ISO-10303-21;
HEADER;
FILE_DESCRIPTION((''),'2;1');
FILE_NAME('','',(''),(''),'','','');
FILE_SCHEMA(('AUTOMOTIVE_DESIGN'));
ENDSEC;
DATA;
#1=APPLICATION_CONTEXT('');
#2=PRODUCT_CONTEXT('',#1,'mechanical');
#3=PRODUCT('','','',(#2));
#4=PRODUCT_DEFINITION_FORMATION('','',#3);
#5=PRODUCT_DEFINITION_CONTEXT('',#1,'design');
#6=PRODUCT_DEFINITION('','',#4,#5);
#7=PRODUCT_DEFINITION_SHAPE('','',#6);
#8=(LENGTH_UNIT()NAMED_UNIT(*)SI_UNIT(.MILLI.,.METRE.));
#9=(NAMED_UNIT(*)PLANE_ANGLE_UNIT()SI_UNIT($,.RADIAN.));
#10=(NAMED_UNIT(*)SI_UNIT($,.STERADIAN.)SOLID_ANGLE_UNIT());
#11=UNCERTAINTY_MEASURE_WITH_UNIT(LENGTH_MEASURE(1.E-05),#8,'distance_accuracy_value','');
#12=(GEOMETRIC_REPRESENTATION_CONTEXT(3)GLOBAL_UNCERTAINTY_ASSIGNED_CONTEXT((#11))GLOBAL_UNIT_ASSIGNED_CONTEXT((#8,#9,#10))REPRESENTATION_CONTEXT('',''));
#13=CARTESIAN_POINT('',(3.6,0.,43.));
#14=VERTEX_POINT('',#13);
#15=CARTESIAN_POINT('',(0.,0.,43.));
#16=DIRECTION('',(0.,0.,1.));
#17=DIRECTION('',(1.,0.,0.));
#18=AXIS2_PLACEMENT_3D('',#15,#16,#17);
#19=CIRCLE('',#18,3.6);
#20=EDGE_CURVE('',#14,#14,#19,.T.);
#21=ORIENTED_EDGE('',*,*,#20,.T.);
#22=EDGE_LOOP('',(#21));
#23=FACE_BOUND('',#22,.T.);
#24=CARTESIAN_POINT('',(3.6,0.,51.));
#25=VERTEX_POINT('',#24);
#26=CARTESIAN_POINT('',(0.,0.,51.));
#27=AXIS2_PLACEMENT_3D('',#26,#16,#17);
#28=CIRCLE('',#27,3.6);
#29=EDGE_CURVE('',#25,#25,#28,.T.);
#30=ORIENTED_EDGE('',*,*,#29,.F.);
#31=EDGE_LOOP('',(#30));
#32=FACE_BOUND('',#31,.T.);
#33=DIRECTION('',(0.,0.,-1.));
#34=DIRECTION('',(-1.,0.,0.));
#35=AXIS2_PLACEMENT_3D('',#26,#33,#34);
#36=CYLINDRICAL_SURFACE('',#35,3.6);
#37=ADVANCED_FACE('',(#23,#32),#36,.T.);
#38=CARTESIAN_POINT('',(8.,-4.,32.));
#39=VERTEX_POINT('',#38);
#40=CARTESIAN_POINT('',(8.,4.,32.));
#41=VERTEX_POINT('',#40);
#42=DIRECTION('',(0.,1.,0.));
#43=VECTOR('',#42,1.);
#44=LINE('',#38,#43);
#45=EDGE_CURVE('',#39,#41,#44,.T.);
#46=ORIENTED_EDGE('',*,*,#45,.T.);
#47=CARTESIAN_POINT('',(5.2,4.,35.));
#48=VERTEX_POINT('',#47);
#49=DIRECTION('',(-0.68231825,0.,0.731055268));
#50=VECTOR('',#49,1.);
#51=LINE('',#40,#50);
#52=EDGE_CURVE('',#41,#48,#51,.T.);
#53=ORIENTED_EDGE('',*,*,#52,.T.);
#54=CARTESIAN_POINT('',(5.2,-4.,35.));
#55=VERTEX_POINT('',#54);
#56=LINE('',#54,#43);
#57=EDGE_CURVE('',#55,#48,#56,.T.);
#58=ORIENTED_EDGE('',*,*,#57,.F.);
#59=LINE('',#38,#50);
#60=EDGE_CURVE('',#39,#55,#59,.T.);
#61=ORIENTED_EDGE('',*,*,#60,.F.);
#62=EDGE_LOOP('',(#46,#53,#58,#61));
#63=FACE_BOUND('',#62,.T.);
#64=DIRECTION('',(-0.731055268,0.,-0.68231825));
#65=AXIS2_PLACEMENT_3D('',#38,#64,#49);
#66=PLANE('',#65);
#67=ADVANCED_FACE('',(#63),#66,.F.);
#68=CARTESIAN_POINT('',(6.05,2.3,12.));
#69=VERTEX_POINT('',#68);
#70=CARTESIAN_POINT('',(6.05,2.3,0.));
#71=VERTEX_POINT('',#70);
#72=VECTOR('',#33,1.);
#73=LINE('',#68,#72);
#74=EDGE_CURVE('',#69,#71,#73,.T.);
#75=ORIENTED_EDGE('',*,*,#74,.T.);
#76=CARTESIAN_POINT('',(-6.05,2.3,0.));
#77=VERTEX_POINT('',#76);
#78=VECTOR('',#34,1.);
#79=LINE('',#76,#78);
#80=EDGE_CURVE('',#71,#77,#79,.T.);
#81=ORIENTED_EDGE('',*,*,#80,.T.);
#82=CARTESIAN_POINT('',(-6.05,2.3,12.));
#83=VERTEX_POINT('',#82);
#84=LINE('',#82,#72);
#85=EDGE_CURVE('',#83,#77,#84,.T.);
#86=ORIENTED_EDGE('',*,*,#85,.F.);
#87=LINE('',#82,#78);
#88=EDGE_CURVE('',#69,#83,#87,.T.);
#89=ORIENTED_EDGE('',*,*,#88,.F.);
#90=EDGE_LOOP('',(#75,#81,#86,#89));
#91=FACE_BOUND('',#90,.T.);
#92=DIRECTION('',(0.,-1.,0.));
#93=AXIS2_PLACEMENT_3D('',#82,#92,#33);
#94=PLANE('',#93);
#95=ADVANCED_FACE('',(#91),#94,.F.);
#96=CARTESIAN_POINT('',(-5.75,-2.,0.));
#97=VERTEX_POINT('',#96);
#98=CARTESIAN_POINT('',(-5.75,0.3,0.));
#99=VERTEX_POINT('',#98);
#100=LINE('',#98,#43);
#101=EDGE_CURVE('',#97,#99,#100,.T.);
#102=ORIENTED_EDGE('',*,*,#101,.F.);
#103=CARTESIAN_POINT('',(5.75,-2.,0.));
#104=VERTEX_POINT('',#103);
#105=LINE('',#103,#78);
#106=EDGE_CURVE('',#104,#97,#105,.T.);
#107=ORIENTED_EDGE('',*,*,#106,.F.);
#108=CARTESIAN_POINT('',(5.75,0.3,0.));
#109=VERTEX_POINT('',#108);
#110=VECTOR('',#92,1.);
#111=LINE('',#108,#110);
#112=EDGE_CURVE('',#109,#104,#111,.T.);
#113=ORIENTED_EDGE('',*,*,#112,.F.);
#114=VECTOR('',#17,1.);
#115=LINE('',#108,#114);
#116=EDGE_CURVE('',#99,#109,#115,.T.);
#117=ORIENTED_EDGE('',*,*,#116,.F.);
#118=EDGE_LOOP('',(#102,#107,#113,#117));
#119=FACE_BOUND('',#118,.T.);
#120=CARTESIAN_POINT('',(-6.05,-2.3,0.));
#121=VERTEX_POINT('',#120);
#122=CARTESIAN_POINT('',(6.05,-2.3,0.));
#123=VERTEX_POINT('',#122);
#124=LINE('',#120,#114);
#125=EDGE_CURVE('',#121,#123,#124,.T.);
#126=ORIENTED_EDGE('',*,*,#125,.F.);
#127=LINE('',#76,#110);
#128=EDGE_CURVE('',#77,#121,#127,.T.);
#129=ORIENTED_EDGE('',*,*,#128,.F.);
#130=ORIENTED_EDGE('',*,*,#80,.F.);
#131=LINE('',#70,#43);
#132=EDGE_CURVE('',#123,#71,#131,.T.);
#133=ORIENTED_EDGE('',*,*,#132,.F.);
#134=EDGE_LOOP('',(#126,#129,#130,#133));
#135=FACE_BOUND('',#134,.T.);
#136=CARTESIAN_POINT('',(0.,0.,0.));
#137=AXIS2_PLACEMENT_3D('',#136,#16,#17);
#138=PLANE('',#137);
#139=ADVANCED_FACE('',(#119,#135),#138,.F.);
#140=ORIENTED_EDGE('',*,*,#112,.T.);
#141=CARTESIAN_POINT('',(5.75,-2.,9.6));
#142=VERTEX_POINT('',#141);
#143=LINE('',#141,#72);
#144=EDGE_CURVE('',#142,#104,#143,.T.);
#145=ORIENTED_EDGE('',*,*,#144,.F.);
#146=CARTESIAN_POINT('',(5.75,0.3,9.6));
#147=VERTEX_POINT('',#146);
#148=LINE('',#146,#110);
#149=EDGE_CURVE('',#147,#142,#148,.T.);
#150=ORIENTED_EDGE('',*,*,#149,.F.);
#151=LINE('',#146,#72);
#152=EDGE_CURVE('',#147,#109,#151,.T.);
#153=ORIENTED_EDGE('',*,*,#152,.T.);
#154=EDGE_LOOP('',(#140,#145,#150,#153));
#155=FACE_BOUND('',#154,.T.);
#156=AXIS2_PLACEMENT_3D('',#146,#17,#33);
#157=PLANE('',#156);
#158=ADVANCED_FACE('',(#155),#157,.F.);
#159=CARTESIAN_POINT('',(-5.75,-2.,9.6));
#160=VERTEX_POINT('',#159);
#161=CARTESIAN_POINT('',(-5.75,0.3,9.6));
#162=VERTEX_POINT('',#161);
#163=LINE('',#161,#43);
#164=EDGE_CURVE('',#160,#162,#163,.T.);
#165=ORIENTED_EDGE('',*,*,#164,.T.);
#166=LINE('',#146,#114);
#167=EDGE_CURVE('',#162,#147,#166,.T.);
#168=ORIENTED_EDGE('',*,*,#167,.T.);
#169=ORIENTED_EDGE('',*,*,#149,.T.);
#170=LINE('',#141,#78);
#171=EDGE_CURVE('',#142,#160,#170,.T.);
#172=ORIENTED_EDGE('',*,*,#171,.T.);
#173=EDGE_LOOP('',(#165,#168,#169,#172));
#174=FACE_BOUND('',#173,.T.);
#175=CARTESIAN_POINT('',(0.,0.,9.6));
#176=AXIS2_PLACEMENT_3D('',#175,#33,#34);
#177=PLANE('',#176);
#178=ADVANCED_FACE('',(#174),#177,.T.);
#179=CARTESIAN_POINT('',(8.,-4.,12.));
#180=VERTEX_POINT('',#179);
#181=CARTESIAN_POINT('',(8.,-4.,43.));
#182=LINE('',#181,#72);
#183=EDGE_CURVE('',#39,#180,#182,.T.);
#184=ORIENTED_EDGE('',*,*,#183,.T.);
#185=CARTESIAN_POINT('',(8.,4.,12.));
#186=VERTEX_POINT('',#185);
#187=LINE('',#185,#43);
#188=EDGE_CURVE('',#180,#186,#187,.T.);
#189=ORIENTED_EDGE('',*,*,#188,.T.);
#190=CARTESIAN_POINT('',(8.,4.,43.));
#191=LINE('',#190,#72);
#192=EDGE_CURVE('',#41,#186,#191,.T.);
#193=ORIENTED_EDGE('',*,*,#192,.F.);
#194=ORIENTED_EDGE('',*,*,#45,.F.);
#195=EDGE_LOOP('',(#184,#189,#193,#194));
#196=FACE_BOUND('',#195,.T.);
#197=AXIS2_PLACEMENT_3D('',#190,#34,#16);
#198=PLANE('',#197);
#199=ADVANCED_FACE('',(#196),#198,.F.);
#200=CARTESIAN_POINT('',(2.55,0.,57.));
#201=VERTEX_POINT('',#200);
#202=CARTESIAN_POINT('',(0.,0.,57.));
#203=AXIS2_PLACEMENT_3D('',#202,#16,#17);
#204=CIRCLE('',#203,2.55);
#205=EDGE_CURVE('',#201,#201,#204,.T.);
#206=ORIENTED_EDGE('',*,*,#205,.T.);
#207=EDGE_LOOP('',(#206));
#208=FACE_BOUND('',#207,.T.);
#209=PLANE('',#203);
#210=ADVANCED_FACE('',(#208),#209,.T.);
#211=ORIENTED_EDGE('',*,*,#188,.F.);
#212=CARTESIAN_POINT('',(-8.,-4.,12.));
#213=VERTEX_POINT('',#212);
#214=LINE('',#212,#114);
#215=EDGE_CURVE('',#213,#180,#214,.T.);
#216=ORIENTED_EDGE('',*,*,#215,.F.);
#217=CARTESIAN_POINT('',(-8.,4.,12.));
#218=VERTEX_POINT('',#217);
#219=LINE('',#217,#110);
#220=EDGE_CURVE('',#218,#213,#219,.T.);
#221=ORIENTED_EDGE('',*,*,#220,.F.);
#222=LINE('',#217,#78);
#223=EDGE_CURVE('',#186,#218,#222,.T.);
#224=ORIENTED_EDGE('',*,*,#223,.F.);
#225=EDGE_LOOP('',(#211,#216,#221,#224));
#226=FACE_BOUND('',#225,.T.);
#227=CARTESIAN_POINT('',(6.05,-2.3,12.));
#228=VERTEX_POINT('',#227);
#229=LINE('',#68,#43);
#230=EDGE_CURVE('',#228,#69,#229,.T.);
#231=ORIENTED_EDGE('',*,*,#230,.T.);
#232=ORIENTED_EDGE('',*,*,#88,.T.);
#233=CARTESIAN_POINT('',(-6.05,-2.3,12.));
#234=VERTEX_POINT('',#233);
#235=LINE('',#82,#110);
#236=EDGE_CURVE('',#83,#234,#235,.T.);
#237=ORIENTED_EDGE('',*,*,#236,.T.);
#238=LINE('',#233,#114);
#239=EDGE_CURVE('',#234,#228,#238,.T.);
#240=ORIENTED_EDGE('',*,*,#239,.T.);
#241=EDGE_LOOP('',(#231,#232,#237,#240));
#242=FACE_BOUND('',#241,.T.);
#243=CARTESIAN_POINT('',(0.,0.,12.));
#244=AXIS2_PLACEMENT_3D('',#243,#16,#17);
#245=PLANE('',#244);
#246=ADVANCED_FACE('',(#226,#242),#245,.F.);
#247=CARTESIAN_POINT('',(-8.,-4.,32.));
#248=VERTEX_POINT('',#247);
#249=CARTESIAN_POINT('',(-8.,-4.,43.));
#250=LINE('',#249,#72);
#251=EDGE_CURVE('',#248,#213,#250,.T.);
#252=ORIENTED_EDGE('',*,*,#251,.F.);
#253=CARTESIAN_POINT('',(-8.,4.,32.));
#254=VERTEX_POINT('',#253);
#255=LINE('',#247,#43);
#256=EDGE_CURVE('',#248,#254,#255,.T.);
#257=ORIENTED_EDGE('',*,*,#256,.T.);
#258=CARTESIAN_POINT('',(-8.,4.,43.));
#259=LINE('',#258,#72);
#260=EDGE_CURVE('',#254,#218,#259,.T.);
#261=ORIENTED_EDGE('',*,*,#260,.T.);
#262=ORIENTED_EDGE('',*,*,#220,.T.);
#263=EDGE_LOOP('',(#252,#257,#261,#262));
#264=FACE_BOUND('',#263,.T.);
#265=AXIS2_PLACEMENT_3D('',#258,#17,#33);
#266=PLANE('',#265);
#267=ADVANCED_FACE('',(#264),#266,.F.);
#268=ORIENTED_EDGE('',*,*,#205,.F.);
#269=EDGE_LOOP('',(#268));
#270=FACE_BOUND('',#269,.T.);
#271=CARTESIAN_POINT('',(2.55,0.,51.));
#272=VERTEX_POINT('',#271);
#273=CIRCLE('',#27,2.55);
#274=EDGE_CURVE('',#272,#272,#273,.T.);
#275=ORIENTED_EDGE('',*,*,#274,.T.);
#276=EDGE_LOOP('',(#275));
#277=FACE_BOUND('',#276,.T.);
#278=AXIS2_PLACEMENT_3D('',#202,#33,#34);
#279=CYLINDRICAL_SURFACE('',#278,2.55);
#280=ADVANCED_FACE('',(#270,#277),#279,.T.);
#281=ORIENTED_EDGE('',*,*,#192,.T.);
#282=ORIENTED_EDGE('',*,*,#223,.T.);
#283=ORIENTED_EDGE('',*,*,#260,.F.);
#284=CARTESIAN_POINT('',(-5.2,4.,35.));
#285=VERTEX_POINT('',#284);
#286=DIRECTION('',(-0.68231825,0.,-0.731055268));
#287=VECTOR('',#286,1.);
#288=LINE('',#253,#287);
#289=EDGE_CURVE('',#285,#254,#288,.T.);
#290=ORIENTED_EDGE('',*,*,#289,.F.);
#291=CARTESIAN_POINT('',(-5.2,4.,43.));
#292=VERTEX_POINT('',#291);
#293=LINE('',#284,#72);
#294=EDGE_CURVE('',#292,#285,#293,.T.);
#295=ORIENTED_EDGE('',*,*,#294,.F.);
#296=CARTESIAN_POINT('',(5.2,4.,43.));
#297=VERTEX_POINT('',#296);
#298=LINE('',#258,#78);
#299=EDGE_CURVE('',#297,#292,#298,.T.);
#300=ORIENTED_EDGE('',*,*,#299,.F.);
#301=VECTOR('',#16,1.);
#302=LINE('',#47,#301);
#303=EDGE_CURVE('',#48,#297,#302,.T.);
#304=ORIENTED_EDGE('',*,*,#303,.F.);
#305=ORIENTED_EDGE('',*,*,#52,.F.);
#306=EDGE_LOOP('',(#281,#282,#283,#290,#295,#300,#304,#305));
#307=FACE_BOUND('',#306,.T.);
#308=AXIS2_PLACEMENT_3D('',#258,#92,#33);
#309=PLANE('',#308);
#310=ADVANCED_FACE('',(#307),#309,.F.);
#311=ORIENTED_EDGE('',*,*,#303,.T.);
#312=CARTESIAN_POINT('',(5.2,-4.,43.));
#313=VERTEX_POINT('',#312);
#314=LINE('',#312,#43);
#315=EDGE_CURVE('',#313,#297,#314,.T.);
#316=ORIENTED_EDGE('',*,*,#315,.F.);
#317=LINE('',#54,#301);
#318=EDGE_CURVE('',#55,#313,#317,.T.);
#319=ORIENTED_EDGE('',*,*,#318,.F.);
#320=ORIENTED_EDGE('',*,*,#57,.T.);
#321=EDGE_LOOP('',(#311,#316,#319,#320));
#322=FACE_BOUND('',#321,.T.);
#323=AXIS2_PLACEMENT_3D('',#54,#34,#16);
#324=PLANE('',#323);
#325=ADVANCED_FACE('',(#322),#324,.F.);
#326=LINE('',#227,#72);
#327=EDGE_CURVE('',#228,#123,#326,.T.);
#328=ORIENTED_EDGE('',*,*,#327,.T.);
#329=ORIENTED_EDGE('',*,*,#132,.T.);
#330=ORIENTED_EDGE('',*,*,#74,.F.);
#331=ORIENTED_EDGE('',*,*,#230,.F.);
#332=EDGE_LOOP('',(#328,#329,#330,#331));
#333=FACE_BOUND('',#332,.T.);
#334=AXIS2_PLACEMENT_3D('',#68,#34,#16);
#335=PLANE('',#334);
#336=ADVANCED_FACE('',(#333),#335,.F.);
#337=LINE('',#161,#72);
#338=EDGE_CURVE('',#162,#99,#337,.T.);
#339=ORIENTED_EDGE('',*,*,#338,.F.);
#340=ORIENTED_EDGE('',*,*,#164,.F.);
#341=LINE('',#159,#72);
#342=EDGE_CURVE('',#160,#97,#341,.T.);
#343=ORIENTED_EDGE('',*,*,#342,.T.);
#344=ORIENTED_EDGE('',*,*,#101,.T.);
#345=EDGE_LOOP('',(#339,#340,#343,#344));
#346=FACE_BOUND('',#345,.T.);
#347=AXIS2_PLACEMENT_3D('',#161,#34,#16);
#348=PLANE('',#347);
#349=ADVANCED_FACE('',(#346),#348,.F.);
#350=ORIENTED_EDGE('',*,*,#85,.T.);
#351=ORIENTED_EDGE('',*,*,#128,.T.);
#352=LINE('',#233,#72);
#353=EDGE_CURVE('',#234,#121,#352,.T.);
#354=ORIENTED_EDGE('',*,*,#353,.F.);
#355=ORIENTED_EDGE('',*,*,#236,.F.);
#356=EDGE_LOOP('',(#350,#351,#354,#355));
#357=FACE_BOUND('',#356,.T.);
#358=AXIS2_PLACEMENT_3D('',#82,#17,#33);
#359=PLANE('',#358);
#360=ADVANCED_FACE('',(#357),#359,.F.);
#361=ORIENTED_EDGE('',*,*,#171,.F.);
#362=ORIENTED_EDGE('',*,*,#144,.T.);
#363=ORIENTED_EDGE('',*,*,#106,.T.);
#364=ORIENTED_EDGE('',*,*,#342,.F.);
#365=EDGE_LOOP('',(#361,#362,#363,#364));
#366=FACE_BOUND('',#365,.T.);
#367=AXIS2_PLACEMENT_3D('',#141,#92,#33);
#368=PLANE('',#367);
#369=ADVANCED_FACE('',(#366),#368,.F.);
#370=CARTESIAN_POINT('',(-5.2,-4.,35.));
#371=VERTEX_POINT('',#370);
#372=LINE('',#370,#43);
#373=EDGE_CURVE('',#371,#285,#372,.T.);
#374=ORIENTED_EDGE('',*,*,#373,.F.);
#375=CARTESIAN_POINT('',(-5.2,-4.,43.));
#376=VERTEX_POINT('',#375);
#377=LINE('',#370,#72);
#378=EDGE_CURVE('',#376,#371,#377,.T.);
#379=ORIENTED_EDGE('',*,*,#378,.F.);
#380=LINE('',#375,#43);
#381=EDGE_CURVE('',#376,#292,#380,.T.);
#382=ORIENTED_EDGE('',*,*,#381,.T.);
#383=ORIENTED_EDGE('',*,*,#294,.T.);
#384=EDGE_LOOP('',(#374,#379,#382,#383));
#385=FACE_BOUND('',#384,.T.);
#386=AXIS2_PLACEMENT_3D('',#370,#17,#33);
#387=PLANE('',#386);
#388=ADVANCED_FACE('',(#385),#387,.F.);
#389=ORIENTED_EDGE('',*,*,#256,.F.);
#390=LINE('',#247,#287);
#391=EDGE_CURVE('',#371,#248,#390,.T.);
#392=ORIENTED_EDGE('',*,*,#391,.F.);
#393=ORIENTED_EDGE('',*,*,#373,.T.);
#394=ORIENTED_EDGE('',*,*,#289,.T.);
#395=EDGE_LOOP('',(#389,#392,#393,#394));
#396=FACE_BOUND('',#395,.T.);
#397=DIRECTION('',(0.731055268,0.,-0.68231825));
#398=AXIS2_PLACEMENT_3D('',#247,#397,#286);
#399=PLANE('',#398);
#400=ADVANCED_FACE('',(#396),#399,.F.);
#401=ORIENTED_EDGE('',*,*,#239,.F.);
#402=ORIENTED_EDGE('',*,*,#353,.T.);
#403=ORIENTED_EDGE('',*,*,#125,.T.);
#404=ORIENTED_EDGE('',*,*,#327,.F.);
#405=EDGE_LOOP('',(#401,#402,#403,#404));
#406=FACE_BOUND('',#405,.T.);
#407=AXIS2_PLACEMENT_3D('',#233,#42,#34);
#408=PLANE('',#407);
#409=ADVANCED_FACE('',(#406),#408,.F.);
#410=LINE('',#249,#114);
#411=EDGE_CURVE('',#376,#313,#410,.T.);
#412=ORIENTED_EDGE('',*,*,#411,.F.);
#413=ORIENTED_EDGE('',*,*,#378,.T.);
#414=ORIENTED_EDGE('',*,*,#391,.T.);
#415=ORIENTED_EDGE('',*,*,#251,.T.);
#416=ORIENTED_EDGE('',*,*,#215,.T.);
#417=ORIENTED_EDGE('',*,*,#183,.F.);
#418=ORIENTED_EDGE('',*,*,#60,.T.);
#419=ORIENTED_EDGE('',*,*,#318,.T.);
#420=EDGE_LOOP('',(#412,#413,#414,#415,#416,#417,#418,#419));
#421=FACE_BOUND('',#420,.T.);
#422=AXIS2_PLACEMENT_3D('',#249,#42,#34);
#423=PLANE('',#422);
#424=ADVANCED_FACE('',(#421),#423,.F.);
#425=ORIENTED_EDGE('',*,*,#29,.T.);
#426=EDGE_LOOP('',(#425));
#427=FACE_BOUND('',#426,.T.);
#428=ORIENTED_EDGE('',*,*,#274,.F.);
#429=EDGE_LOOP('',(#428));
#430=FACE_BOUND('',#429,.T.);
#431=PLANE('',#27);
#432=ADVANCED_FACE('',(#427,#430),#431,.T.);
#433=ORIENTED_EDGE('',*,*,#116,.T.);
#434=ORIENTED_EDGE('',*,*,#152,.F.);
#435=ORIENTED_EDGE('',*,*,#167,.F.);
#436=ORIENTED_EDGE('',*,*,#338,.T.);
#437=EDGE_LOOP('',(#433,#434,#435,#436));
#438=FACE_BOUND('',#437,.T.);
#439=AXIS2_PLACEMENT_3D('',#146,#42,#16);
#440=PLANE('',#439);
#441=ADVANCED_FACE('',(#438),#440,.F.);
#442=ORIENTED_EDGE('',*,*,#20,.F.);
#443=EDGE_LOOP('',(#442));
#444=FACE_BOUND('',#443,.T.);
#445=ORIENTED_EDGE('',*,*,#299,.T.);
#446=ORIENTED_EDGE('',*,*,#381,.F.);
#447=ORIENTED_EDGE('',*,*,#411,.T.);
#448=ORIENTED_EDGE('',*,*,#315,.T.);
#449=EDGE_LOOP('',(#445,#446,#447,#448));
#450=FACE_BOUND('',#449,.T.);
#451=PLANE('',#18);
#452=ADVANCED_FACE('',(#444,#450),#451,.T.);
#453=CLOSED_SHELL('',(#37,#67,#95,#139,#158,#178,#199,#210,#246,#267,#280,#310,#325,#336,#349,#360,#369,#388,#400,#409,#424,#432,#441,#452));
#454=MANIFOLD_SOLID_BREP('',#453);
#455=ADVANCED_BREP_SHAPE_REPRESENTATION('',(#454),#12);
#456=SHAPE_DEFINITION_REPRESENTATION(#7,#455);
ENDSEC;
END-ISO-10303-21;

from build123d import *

# Parameters (mm, degrees)
ESQUISSE1_W             = 12.1
ESQUISSE1_H             = 4.6
BOSS_EXTRU_1_DEPTH      = 12
ESQUISSE3_W             = 11.5
ESQUISSE3_H             = 2.3
ENL_V_MAT_EXTRU_1_DEPTH = 9.6
ESQUISSE2_W             = 16
ESQUISSE2_H             = 8
BOSS_EXTRU_2_DEPTH      = 31
ENL_V_MAT_EXTRU_2_DEPTH = 45.463468151
ESQUISSE5_R             = 3.6
BOSS_EXTRU_3_DEPTH      = 8
ESQUISSE6_R             = 2.55
BOSS_EXTRU_4_DEPTH      = 6


with BuildPart() as part:
    # Esquisse1 → Boss.-Extru.1 (new body)
    with BuildSketch(Plane.XY):
        Rectangle(ESQUISSE1_W, ESQUISSE1_H)
    extrude(amount=BOSS_EXTRU_1_DEPTH)

    # Esquisse3 → Enlèv. mat.-Extru.1 (cut)
    with BuildSketch(Plane(origin=(0, 0, 0), x_dir=(-1, 0, 0), z_dir=(0, 0, -1))):
        with Locations((0, -0.85)):
            Rectangle(ESQUISSE3_W, ESQUISSE3_H)
    extrude(amount=-ENL_V_MAT_EXTRU_1_DEPTH, mode=Mode.SUBTRACT)

    # Esquisse2 → Boss.-Extru.2 (add)
    with BuildSketch(Plane.XY.offset(12)):
        Rectangle(ESQUISSE2_W, ESQUISSE2_H)
    extrude(amount=BOSS_EXTRU_2_DEPTH)

    # Esquisse4 → Enlèv. mat.-Extru.2 (cut, through all)
    with BuildSketch(Plane(origin=(0, 4, 0), x_dir=(1, 0, 0), z_dir=(0, 1, 0))):
        Polygon((-8, -43), (-8, -32), (-5.2, -35), (-5.2, -43), align=None)
        Polygon((5.2, -43), (8, -43), (8, -32), (5.2, -35), align=None)
    extrude(amount=-ENL_V_MAT_EXTRU_2_DEPTH, mode=Mode.SUBTRACT)

    # Esquisse5 → Boss.-Extru.3 (add)
    with BuildSketch(Plane.XY.offset(43)):
        Circle(ESQUISSE5_R)
    extrude(amount=BOSS_EXTRU_3_DEPTH)

    # Esquisse6 → Boss.-Extru.4 (add)
    with BuildSketch(Plane.XY.offset(51)):
        Circle(ESQUISSE6_R)
    extrude(amount=BOSS_EXTRU_4_DEPTH)


solid = part.part
